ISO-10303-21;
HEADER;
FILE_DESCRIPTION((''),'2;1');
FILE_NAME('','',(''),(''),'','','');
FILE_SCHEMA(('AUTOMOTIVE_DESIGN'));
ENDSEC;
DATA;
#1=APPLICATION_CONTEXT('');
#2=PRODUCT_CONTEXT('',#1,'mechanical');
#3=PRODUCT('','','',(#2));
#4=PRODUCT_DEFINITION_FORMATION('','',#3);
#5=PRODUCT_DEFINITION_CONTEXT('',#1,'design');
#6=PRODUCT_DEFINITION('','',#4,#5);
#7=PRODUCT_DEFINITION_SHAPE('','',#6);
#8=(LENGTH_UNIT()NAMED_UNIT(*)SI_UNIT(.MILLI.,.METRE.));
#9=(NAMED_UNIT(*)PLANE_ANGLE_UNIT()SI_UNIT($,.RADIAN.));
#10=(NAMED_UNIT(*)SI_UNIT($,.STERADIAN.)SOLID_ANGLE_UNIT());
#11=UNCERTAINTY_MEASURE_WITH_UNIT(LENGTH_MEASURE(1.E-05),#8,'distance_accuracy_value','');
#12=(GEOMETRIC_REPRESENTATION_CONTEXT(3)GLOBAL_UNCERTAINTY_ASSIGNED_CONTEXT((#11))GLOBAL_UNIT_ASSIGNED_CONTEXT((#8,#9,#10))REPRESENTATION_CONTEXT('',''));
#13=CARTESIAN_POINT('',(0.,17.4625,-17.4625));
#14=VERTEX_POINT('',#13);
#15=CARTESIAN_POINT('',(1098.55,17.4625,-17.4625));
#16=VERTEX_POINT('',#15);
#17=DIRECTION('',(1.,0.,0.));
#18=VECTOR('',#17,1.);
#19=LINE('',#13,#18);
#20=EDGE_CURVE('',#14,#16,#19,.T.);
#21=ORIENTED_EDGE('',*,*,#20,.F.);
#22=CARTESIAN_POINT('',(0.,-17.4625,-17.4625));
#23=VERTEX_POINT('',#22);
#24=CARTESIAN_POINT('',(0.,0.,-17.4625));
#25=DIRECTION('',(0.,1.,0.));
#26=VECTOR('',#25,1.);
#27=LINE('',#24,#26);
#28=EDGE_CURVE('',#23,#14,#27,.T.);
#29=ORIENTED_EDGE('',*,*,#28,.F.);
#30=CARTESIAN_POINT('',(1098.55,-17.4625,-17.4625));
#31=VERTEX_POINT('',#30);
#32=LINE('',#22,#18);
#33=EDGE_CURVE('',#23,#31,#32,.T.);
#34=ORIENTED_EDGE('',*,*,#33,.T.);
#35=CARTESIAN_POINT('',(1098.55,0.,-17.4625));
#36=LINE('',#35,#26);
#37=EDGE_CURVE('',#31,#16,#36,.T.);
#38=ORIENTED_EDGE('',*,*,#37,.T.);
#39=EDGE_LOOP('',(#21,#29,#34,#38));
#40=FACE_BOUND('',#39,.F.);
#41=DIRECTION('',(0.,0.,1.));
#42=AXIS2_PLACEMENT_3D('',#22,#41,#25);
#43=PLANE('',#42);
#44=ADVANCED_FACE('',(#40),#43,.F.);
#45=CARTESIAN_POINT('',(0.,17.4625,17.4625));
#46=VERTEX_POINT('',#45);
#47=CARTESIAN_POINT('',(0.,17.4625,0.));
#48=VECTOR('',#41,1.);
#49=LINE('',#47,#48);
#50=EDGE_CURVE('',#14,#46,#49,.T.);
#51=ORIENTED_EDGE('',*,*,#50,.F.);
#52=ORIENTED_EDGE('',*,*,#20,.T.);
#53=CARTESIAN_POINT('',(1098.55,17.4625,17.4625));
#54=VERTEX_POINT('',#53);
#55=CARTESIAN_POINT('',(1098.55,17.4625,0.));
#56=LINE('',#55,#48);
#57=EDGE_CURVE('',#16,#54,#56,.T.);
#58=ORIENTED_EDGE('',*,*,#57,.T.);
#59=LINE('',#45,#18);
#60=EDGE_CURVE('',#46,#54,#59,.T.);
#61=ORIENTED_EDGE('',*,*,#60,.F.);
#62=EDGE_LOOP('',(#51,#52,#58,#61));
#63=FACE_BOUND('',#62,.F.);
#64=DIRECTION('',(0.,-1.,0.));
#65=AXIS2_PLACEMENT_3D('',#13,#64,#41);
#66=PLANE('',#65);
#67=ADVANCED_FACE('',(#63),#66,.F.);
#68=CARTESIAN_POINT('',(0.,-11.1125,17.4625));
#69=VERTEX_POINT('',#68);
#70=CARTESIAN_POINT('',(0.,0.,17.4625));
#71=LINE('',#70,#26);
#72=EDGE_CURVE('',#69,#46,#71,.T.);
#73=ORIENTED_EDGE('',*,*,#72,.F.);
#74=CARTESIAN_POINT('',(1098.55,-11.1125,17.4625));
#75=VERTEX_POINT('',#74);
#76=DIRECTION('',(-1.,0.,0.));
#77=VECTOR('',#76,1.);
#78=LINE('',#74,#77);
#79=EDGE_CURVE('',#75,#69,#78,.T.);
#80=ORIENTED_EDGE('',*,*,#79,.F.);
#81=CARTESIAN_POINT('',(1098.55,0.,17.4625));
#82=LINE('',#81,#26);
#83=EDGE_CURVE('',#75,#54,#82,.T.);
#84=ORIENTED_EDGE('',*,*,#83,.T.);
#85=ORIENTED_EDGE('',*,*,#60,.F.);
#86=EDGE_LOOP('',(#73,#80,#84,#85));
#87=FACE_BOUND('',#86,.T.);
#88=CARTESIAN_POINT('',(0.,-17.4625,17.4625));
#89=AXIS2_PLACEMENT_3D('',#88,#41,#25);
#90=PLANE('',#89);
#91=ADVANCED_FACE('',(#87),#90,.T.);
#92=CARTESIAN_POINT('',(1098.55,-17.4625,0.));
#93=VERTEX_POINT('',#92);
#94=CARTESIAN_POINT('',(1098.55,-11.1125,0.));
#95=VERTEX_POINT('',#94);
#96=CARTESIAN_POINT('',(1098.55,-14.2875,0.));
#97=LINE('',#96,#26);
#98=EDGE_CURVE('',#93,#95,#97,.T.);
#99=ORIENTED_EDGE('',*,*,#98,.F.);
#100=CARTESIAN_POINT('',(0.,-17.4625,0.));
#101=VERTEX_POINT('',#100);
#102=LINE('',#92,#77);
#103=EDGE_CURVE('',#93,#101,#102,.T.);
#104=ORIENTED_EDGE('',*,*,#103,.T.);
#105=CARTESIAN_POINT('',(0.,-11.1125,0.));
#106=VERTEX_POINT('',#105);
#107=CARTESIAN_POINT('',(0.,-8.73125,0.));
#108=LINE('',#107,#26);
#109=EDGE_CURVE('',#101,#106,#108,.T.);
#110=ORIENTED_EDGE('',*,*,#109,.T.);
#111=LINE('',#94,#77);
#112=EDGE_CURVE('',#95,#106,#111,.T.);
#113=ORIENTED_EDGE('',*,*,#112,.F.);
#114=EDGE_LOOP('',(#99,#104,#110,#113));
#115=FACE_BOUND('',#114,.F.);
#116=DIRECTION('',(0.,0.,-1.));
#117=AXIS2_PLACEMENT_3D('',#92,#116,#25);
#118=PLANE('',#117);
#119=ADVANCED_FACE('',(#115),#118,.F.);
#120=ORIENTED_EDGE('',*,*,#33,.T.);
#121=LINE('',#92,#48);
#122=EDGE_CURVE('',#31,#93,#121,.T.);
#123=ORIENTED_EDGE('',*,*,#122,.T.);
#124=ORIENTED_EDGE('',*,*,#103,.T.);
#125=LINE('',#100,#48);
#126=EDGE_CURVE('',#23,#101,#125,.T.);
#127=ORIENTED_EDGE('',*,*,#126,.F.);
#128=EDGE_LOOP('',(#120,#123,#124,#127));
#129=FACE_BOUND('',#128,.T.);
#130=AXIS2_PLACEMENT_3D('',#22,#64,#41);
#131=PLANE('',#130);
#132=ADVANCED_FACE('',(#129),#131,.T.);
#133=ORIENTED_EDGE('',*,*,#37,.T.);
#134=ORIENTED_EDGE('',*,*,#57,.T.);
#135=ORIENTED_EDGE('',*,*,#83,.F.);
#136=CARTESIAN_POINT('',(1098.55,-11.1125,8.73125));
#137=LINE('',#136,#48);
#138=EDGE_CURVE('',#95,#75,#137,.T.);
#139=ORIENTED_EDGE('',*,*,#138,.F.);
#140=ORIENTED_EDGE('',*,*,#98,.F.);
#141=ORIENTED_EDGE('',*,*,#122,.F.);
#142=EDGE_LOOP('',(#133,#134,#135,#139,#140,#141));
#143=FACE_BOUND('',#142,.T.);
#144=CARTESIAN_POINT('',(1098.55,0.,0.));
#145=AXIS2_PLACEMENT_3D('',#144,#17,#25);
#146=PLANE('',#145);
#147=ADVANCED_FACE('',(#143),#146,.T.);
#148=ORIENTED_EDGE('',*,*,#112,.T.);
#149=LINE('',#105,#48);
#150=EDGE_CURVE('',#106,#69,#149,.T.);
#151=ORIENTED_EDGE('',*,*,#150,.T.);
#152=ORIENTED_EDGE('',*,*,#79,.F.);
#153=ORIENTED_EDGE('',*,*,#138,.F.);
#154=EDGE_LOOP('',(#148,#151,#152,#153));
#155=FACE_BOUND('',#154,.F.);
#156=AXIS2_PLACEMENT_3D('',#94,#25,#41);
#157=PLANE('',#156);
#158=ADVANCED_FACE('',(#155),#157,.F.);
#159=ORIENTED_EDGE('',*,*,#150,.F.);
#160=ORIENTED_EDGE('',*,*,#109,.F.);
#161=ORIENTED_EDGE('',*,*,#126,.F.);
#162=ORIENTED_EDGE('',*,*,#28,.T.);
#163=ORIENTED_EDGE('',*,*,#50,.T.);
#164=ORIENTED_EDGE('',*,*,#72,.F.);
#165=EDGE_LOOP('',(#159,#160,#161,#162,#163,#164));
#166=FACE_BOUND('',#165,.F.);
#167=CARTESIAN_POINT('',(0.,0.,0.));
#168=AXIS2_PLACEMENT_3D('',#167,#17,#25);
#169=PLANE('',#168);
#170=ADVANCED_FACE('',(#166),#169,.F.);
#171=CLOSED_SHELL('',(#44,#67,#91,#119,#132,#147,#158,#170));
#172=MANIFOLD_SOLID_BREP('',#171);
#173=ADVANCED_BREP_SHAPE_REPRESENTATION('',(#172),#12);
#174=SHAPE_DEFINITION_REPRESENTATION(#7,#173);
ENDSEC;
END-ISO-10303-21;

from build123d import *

# Parameters (mm, degrees)
F0_W     = 34.925
F0_H     = 34.925
F1_DEPTH = 1098.55
F2_W     = 6.35
F2_H     = 17.4625
F3_DEPTH = 1098.551


with BuildPart() as f1:
    # F0 (on Right) → F1 (new body)
    with BuildSketch(Plane.YZ):
        Rectangle(F0_W, F0_H)
    extrude(amount=F1_DEPTH)

    # F2 (on face) → F3 (cut, through all)
    with BuildSketch(Plane.YZ.offset(1098.55)):
        with Locations((-14.2875, 8.73125)):
            Rectangle(F2_W, F2_H)
    extrude(amount=-F3_DEPTH, mode=Mode.SUBTRACT)


solid = f1.part
